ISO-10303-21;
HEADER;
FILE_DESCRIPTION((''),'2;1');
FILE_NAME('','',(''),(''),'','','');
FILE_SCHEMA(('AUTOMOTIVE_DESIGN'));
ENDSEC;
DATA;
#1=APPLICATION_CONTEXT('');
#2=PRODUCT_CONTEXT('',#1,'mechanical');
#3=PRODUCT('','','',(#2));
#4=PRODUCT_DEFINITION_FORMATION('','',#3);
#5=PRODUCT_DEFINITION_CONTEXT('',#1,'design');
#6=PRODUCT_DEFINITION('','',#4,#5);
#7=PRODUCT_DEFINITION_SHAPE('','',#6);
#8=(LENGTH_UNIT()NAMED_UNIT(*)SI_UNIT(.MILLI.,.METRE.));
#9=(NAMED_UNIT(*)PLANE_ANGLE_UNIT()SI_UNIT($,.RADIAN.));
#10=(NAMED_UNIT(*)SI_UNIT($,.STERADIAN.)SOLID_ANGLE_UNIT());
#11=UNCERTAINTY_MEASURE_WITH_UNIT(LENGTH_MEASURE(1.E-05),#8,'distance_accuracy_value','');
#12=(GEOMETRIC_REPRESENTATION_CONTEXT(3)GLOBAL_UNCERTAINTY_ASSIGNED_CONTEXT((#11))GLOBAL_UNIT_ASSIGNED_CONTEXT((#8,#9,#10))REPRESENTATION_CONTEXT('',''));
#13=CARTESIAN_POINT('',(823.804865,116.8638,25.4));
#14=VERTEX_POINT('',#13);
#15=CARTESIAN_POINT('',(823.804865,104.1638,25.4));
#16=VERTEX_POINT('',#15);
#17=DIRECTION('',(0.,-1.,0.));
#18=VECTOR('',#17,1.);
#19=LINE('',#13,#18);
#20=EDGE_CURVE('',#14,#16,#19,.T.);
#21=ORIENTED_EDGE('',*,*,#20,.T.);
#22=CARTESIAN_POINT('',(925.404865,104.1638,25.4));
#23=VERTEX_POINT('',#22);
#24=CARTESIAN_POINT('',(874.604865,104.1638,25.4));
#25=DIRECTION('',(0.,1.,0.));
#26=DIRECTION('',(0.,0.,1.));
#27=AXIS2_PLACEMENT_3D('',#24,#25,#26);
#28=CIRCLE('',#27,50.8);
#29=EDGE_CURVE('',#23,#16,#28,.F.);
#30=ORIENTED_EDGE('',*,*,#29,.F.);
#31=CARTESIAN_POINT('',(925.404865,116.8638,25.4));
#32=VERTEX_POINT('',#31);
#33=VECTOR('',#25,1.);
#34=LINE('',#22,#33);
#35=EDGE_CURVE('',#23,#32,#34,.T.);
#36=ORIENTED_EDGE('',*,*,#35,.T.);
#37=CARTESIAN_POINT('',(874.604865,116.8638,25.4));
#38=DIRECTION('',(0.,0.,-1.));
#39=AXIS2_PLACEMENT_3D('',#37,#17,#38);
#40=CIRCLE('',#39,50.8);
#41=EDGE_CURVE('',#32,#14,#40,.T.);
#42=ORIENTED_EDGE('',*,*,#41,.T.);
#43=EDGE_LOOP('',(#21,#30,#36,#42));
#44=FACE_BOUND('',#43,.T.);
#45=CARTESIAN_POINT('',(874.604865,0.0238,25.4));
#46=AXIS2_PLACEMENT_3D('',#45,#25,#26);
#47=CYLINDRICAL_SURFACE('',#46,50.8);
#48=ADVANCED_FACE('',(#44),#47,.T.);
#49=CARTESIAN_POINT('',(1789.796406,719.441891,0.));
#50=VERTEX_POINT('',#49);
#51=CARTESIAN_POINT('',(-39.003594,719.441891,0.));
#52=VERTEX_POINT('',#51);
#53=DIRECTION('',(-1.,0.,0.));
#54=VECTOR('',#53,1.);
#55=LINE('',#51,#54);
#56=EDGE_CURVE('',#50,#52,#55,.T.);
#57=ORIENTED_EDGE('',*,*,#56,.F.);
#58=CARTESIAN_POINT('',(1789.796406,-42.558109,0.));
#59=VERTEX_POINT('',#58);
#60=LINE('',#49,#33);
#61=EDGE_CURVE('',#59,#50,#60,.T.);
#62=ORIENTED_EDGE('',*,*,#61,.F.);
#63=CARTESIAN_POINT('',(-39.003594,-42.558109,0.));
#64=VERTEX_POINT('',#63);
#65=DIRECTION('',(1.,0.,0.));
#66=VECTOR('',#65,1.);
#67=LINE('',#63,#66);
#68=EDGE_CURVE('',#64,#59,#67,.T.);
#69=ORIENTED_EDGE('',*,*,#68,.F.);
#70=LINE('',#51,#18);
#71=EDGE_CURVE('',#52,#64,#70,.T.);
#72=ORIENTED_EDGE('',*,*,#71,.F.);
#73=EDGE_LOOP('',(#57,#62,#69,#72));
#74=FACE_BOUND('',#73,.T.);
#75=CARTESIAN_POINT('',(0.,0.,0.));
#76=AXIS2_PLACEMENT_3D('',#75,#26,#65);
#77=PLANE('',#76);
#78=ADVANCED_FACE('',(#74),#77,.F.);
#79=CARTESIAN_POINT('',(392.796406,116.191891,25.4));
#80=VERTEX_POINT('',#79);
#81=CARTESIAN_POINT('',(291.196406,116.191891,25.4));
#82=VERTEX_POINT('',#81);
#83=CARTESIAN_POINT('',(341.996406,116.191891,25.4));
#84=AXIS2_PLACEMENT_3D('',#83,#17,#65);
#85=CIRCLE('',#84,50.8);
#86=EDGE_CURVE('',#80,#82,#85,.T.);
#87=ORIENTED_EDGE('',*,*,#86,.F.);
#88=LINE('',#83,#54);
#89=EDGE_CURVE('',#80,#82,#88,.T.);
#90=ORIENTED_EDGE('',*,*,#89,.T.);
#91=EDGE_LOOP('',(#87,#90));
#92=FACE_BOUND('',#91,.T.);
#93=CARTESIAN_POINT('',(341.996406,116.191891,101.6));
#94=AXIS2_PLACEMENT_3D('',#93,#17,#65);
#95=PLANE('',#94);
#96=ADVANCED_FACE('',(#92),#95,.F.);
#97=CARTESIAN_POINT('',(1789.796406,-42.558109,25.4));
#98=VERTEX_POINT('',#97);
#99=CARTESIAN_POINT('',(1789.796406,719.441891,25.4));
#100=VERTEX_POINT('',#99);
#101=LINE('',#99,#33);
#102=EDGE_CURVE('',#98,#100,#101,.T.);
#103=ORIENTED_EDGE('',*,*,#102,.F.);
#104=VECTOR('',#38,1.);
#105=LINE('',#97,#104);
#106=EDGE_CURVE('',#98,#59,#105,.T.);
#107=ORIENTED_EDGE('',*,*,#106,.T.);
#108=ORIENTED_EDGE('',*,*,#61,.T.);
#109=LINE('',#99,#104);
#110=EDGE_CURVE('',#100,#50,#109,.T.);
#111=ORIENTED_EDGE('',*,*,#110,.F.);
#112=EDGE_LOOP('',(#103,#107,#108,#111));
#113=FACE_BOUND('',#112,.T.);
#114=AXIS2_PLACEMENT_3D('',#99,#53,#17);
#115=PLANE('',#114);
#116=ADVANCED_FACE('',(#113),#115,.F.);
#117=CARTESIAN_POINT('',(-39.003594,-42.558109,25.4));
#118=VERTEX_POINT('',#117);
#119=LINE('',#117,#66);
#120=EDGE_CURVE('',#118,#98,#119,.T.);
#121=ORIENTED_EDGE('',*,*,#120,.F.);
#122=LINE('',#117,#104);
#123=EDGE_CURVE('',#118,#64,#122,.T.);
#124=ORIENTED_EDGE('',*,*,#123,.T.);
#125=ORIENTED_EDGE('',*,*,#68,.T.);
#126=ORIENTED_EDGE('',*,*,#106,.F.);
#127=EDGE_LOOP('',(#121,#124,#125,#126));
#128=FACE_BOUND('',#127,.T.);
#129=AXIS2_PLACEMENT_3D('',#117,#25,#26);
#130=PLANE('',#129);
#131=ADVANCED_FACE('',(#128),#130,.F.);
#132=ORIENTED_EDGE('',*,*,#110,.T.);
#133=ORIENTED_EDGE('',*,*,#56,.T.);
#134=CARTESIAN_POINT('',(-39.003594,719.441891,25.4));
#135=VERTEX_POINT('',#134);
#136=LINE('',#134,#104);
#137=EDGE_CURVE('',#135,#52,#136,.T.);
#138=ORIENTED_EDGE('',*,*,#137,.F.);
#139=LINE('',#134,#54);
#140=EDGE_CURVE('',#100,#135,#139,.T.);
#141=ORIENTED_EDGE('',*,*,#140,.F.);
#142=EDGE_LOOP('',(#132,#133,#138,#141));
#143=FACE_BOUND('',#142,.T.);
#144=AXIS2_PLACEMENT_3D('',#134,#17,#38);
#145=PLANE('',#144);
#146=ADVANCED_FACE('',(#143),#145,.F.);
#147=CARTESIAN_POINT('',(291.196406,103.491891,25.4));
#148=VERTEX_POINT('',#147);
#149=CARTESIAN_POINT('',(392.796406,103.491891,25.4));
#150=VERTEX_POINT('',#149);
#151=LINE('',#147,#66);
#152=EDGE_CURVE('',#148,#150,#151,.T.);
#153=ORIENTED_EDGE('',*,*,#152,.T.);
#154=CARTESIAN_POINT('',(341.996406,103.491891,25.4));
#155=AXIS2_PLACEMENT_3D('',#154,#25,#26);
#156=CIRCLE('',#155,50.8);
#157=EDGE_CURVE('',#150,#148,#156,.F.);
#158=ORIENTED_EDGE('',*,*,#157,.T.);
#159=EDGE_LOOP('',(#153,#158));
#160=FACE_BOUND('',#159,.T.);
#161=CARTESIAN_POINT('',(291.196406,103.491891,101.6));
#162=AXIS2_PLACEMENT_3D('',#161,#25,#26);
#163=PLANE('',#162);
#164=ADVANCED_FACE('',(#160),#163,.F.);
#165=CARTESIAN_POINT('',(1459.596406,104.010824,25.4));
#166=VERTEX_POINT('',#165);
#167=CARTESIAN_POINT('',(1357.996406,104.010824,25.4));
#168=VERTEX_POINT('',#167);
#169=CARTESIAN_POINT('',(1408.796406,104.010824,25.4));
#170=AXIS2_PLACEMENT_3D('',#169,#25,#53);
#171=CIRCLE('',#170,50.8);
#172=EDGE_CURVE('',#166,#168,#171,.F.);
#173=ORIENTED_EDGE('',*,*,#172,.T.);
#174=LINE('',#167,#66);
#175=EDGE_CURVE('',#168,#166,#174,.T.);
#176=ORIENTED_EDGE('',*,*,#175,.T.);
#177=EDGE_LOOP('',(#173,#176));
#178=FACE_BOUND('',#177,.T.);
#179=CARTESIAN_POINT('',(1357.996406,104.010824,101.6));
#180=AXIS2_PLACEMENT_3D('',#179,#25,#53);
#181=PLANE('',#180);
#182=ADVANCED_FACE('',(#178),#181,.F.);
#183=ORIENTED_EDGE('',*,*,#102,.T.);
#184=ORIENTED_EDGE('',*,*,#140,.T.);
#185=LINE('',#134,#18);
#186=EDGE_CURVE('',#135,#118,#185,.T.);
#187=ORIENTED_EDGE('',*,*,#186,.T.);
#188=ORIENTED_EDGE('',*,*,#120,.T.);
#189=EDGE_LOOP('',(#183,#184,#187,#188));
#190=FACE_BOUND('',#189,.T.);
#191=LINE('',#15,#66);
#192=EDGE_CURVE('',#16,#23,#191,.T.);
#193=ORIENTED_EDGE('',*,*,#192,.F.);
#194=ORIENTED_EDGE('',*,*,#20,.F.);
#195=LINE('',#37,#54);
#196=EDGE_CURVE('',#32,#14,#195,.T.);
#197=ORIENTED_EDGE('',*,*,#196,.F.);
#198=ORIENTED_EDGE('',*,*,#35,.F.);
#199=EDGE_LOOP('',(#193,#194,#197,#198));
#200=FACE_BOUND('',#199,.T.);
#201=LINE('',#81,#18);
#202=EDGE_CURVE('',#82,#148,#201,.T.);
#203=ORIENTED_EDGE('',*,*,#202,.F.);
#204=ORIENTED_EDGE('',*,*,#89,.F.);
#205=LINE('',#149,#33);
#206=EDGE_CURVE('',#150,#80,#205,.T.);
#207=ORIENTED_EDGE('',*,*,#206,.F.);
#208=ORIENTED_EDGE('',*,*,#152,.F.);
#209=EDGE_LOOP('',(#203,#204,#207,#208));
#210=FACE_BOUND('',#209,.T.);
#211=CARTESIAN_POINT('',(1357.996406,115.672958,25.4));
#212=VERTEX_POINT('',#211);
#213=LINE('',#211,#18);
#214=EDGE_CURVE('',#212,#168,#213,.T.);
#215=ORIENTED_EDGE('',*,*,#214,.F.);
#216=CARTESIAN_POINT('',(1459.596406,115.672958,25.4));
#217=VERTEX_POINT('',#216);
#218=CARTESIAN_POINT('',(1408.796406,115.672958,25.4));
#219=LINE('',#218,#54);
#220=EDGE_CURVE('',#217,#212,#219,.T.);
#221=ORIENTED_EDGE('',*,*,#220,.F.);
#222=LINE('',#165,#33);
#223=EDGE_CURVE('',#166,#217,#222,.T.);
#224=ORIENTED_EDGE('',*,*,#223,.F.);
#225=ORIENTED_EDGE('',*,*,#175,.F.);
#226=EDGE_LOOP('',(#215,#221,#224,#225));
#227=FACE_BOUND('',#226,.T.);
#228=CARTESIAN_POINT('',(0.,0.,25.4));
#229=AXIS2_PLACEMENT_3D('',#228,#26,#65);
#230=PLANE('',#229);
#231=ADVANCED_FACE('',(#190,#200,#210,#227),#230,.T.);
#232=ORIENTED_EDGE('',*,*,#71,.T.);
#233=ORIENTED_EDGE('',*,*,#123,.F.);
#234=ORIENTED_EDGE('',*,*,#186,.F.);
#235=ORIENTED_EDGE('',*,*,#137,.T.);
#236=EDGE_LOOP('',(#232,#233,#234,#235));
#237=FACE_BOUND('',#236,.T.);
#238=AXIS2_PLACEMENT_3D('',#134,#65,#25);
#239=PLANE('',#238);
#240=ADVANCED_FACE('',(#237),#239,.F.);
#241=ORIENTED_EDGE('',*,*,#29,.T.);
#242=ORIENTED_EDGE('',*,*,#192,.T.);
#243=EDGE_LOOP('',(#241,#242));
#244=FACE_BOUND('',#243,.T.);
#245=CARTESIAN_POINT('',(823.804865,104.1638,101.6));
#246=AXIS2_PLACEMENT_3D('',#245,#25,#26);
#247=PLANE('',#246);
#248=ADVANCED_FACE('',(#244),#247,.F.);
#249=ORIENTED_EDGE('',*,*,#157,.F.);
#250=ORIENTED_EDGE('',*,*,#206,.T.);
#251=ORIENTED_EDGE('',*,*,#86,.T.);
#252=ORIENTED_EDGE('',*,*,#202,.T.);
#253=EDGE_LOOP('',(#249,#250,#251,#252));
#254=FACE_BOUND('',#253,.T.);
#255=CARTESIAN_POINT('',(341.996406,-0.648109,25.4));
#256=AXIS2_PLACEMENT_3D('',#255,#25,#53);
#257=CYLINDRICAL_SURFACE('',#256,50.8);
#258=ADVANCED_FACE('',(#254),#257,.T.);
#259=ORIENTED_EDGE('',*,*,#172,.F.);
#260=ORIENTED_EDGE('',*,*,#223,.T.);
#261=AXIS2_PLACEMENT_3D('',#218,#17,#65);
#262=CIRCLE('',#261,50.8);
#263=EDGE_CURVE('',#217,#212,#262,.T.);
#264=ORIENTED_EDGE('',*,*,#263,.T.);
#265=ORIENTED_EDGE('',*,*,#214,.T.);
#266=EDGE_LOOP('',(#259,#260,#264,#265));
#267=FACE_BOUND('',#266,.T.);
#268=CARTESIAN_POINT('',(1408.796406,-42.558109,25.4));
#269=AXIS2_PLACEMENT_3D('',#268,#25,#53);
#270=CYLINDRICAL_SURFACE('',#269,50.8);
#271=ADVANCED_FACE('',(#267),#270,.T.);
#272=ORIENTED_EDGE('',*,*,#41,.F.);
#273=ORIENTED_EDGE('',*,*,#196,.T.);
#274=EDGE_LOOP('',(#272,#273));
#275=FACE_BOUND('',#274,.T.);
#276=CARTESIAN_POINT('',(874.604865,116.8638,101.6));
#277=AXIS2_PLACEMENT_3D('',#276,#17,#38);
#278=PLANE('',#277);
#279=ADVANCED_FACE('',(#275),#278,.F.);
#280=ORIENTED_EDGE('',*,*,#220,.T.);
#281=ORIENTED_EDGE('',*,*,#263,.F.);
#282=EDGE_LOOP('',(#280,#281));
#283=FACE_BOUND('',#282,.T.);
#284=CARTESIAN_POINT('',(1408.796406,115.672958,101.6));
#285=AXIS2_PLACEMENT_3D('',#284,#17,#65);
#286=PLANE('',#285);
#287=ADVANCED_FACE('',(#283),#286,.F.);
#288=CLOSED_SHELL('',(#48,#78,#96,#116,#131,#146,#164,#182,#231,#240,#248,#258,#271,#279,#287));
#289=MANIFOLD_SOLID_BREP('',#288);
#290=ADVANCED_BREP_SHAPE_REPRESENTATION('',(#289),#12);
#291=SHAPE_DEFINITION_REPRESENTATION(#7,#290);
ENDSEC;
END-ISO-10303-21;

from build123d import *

# Parameters (mm, degrees)
SKETCH1_W           = 1828.8
SKETCH1_H           = 762
BOSS_EXTRUDE1_DEPTH = 25.4
BOSS_EXTRUDE2_DEPTH = 76.2
CUT_EXTRUDE2_DEPTH  = 1892.621171867
CUT_EXTRUDE3_DEPTH  = 116.84
CUT_EXTRUDE4_DEPTH  = 116.84


with BuildPart() as part:
    # Sketch1 → Boss-Extrude1 (new body)
    with BuildSketch(Plane.XY):
        with Locations((875.396405659, 338.441890904)):
            Rectangle(SKETCH1_W, SKETCH1_H)
    extrude(amount=BOSS_EXTRUDE1_DEPTH)

    # Sketch4 → Boss-Extrude2 (add)
    with BuildSketch(Plane.XY.offset(25.4)):
        Polygon((341.996405659, 116.191890904), (291.196405659, 116.191890904), (291.196405659, 103.491890904), (392.796405659, 103.491890904), (392.796405659, 116.191890904), align=None)
        Polygon((874.604865323, 116.863799968), (823.804865323, 116.863799968), (823.804865323, 104.163799968), (925.404865323, 104.163799968), (925.404865323, 116.863799968), align=None)
        Polygon((1408.796405659, 115.67295816), (1357.996405659, 115.67295816), (1357.996405659, 104.010823647), (1459.596405659, 104.010823647), (1459.596405659, 115.67295816), align=None)
    extrude(amount=BOSS_EXTRUDE2_DEPTH)

    # Sketch6 → Cut-Extrude2 (cut, through all)
    with BuildSketch(Plane(origin=(0, 115.67295816, 0), x_dir=(1, 0, 0), z_dir=(0, 1, 0))):
        with BuildLine():
            Line((1459.596405659, -25.4), (1459.596405659, -101.6))
            Line((1459.596405659, -101.6), (1357.996405659, -101.6))
            Line((1357.996405659, -101.6), (1357.996405659, -25.4))
            ThreePointArc((1357.996405659, -25.4), (1408.796405659, -76.2), (1459.596405659, -25.4))
        make_face()
    extrude(amount=-CUT_EXTRUDE2_DEPTH, mode=Mode.SUBTRACT)

    # Sketch7 → Cut-Extrude3 (cut)
    with BuildSketch(Plane(origin=(0, 116.863799968, 0), x_dir=(1, 0, 0), z_dir=(0, 1, 0))):
        with BuildLine():
            Line((925.404865323, -25.4), (925.404865323, -101.6))
            Line((925.404865323, -101.6), (823.804865323, -101.6))
            Line((823.804865323, -101.6), (823.804865323, -25.4))
            ThreePointArc((823.804865323, -25.4), (874.604865323, -76.2), (925.404865323, -25.4))
        make_face()
    extrude(amount=-CUT_EXTRUDE3_DEPTH, mode=Mode.SUBTRACT)

    # Sketch8 → Cut-Extrude4 (cut)
    with BuildSketch(Plane(origin=(0, 116.191890904, 0), x_dir=(1, 0, 0), z_dir=(0, 1, 0))):
        with BuildLine():
            Line((392.796405659, -25.4), (392.796405659, -101.6))
            Line((392.796405659, -101.6), (291.196405659, -101.6))
            Line((291.196405659, -101.6), (291.196405659, -25.4))
            ThreePointArc((291.196405659, -25.4), (341.996405659, -76.2), (392.796405659, -25.4))
        make_face()
    extrude(amount=-CUT_EXTRUDE4_DEPTH, mode=Mode.SUBTRACT)


solid = part.part
